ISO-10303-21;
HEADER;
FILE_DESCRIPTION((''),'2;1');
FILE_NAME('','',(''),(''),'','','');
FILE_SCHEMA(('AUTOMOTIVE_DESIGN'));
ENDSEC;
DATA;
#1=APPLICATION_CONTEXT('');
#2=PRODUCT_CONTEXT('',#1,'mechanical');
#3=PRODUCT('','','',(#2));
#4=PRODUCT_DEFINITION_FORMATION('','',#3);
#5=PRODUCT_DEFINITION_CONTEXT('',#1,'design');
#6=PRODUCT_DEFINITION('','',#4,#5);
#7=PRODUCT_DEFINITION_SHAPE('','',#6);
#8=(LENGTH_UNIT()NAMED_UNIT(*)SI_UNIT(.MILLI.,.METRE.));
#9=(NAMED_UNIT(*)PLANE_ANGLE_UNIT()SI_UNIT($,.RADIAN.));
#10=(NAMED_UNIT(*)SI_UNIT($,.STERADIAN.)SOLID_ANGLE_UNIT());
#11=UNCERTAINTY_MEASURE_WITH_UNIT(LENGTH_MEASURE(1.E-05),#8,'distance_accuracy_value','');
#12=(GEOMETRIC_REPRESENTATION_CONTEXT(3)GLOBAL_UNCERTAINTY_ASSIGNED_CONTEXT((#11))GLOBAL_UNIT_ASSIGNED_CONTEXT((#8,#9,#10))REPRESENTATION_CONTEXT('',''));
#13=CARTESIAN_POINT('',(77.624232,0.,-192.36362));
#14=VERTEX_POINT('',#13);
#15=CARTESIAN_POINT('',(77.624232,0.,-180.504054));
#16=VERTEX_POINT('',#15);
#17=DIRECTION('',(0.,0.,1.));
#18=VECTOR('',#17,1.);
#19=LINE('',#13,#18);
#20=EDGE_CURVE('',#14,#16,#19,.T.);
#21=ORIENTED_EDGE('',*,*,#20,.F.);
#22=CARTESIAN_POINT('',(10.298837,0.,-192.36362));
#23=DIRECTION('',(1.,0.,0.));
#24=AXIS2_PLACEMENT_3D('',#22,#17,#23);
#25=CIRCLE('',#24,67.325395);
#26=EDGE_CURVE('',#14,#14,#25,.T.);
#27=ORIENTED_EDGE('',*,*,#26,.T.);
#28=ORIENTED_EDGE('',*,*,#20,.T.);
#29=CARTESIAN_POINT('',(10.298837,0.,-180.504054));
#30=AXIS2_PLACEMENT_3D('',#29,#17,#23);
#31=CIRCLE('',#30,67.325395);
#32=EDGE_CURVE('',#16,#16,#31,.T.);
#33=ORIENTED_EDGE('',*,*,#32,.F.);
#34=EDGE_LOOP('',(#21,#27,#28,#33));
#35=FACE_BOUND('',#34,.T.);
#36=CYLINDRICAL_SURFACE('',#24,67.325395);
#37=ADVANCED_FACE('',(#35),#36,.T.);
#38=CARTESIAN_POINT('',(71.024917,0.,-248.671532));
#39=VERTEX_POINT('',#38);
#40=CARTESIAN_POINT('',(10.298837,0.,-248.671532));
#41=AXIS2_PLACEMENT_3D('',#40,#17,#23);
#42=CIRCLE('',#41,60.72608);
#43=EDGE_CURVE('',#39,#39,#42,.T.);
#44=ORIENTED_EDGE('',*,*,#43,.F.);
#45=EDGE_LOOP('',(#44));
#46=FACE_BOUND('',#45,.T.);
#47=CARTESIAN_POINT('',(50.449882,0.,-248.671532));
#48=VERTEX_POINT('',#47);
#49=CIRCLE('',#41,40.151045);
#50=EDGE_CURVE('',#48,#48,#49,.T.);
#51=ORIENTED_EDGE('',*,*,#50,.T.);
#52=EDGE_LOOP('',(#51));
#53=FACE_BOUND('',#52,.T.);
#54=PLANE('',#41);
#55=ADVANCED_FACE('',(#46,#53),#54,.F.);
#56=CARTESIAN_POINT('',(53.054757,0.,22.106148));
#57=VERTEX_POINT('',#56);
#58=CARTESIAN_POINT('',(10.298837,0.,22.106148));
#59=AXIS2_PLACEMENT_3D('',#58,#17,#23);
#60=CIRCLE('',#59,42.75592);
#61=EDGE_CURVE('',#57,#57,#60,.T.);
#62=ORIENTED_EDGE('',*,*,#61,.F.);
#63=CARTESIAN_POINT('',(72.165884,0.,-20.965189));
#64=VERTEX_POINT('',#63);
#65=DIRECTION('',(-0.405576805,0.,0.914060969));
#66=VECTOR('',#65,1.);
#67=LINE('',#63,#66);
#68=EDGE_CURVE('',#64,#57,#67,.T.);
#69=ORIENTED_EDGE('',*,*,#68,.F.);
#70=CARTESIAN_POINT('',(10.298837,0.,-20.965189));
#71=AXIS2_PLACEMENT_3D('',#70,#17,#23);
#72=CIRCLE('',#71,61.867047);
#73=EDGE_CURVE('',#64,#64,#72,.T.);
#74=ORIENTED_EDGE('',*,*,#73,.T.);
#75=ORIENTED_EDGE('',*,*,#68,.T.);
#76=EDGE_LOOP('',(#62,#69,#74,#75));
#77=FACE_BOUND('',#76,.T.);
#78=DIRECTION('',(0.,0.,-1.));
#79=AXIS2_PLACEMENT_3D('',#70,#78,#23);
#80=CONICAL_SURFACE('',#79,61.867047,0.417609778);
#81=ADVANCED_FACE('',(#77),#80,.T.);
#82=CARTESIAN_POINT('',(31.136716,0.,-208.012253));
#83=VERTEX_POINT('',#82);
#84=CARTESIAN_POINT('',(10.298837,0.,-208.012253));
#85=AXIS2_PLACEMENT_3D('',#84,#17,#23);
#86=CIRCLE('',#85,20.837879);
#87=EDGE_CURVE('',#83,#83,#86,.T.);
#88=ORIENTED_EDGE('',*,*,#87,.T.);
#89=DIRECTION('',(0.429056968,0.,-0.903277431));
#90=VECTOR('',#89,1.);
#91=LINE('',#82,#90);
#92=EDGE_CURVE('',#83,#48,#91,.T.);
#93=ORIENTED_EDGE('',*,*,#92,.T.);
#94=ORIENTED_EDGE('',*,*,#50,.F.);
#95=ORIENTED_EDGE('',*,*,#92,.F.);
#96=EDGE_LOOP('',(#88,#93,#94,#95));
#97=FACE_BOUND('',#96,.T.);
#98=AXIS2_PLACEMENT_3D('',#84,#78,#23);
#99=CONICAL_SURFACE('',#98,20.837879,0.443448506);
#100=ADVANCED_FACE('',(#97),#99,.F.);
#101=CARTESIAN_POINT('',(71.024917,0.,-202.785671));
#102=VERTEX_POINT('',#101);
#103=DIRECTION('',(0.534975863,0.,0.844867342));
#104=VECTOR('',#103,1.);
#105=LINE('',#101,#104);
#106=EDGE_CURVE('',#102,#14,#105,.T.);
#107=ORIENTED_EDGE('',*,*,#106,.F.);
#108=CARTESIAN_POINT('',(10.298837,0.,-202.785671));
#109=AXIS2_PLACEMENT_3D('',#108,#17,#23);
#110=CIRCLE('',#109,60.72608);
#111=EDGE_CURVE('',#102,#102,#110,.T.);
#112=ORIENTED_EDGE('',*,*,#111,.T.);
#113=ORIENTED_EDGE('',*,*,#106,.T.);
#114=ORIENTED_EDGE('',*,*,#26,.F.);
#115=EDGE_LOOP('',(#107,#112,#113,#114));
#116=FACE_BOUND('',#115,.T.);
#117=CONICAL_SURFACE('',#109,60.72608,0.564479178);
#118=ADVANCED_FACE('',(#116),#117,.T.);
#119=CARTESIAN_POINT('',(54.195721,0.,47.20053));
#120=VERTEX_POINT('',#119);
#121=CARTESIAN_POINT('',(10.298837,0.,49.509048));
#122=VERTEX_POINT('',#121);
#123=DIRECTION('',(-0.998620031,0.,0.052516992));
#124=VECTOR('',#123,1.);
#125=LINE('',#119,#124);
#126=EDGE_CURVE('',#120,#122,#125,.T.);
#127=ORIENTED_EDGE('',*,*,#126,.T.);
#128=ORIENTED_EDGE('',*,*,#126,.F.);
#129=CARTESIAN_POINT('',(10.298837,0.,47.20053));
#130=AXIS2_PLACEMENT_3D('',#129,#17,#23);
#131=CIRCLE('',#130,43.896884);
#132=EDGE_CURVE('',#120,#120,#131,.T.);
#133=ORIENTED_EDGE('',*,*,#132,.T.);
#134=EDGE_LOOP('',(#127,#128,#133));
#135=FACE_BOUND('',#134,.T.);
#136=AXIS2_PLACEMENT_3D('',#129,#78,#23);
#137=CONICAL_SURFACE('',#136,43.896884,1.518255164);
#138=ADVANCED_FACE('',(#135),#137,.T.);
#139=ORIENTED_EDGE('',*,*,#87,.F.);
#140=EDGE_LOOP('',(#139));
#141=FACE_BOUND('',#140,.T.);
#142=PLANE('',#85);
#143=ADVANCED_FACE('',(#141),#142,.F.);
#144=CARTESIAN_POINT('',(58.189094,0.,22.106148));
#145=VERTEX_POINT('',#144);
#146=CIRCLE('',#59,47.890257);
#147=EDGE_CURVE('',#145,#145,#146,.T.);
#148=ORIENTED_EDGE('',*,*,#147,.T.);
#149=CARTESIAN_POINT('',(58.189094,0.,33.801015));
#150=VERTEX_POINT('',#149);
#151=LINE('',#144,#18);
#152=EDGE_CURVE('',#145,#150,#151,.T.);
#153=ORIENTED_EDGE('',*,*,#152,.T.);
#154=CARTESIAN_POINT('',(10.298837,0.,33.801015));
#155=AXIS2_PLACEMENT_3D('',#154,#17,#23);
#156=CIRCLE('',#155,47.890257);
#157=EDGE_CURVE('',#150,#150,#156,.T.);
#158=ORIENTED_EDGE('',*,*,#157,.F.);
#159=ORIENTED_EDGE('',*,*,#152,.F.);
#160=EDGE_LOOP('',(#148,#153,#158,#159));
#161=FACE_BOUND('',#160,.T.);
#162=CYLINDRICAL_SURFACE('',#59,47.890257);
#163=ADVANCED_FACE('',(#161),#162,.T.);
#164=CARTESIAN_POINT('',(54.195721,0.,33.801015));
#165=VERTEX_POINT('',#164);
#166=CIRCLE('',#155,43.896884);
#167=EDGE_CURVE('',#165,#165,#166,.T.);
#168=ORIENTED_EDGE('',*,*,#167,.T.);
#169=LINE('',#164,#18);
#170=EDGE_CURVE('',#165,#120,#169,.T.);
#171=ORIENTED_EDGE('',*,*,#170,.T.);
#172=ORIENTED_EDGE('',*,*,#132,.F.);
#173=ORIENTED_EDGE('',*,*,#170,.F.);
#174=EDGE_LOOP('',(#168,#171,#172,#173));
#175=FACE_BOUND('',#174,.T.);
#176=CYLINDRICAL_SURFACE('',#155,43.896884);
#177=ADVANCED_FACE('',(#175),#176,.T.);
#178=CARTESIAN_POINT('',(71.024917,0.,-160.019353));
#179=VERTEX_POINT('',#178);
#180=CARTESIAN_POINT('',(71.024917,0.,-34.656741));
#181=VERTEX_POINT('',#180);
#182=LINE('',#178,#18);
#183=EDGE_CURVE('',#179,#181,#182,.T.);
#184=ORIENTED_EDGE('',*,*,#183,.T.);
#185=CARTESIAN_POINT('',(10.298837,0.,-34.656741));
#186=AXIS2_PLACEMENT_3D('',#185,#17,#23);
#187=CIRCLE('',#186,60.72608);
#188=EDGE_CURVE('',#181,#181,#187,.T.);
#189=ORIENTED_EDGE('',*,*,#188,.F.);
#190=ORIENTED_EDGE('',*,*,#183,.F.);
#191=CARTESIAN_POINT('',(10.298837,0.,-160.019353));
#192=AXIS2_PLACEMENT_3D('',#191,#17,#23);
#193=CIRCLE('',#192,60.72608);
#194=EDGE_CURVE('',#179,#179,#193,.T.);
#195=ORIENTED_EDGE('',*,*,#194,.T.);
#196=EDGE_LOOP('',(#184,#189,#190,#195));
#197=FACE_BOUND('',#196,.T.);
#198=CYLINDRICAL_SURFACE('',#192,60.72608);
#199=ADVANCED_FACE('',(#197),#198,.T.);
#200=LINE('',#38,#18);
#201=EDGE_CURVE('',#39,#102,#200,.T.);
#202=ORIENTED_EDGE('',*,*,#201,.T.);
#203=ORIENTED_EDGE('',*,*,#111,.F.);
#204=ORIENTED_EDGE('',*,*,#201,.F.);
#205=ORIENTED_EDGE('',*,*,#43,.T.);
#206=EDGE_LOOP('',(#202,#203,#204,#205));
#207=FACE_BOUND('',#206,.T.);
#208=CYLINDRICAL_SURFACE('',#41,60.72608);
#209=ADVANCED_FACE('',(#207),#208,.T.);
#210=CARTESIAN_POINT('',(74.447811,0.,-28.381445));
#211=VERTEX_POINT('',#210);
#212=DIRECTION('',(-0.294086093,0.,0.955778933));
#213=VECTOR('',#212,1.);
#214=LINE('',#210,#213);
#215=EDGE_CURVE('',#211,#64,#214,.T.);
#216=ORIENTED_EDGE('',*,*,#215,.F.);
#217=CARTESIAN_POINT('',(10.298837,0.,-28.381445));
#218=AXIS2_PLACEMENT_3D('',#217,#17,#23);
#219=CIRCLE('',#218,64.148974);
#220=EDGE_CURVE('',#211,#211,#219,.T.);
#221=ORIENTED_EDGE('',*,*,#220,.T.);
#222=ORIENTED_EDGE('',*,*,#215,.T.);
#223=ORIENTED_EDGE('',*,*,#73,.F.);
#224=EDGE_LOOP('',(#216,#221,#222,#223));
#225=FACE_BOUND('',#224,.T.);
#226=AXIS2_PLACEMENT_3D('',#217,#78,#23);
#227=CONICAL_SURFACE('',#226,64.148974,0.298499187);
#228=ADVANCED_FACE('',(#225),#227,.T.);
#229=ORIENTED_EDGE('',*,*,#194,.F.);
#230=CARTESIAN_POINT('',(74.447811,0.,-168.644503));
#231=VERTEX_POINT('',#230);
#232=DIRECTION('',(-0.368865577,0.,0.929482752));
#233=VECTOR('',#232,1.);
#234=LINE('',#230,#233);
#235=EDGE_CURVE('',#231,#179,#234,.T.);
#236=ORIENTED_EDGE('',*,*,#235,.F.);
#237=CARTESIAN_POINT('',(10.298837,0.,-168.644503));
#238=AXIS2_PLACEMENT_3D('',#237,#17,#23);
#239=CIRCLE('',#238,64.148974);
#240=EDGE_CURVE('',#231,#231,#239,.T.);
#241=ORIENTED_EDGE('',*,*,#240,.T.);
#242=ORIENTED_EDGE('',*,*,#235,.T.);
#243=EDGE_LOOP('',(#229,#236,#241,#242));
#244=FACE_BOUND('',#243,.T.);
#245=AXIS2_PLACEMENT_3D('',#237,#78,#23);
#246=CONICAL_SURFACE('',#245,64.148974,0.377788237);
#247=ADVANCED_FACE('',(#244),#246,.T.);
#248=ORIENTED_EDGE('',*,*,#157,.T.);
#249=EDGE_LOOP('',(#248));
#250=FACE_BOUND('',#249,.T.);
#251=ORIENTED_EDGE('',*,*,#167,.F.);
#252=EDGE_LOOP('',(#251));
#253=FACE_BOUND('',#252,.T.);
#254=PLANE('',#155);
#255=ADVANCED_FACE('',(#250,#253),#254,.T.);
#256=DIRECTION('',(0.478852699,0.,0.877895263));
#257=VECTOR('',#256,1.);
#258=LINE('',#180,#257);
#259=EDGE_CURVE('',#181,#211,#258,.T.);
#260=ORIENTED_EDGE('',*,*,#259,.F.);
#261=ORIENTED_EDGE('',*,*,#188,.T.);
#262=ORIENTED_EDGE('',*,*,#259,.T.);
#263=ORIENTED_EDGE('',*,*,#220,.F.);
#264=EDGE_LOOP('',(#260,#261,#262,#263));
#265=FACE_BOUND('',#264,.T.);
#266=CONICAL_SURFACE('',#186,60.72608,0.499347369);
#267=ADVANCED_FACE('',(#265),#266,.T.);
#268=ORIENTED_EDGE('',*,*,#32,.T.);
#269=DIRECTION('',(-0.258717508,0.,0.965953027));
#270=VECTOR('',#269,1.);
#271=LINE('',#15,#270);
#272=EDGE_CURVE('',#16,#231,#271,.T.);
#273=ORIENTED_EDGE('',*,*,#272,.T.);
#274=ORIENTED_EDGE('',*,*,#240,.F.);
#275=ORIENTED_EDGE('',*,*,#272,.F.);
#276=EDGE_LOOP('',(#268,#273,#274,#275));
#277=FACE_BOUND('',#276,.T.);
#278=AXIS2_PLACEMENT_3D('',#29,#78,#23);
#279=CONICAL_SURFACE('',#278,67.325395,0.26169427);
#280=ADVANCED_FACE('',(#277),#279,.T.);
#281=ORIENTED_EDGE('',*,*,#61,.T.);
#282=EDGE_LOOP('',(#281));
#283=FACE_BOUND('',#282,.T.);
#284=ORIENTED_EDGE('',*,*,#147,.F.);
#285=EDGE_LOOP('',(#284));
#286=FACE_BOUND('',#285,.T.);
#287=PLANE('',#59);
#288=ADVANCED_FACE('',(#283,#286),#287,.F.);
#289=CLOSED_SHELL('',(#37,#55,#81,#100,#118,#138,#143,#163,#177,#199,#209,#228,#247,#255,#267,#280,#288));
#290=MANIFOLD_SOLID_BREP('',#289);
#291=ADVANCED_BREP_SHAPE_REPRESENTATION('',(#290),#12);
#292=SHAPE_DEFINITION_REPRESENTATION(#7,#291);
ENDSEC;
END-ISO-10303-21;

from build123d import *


with BuildPart() as f1:
    # F0 (on Front) → F1 (revolve)
    with BuildSketch(Plane.XZ):
        Polygon((54.195721, 33.801015), (54.195721, 47.20053), (10.298837, 49.509048), (10.298837, -208.012253), (31.136716, -208.012253), (50.449882, -248.671532), (71.024917, -248.671532), (71.024917, -202.785671), (77.624232, -192.36362), (77.624232, -180.504054), (74.447811, -168.644503), (71.024917, -160.019353), (71.024917, -34.656741), (74.447811, -28.381445), (72.165884, -20.965189), (53.054757, 22.106148), (58.189094, 22.106148), (58.189094, 33.801015), align=None)
    revolve(axis=Axis((10.298837, 0, -79.251602), (0, 0, 1)))


solid = f1.part
